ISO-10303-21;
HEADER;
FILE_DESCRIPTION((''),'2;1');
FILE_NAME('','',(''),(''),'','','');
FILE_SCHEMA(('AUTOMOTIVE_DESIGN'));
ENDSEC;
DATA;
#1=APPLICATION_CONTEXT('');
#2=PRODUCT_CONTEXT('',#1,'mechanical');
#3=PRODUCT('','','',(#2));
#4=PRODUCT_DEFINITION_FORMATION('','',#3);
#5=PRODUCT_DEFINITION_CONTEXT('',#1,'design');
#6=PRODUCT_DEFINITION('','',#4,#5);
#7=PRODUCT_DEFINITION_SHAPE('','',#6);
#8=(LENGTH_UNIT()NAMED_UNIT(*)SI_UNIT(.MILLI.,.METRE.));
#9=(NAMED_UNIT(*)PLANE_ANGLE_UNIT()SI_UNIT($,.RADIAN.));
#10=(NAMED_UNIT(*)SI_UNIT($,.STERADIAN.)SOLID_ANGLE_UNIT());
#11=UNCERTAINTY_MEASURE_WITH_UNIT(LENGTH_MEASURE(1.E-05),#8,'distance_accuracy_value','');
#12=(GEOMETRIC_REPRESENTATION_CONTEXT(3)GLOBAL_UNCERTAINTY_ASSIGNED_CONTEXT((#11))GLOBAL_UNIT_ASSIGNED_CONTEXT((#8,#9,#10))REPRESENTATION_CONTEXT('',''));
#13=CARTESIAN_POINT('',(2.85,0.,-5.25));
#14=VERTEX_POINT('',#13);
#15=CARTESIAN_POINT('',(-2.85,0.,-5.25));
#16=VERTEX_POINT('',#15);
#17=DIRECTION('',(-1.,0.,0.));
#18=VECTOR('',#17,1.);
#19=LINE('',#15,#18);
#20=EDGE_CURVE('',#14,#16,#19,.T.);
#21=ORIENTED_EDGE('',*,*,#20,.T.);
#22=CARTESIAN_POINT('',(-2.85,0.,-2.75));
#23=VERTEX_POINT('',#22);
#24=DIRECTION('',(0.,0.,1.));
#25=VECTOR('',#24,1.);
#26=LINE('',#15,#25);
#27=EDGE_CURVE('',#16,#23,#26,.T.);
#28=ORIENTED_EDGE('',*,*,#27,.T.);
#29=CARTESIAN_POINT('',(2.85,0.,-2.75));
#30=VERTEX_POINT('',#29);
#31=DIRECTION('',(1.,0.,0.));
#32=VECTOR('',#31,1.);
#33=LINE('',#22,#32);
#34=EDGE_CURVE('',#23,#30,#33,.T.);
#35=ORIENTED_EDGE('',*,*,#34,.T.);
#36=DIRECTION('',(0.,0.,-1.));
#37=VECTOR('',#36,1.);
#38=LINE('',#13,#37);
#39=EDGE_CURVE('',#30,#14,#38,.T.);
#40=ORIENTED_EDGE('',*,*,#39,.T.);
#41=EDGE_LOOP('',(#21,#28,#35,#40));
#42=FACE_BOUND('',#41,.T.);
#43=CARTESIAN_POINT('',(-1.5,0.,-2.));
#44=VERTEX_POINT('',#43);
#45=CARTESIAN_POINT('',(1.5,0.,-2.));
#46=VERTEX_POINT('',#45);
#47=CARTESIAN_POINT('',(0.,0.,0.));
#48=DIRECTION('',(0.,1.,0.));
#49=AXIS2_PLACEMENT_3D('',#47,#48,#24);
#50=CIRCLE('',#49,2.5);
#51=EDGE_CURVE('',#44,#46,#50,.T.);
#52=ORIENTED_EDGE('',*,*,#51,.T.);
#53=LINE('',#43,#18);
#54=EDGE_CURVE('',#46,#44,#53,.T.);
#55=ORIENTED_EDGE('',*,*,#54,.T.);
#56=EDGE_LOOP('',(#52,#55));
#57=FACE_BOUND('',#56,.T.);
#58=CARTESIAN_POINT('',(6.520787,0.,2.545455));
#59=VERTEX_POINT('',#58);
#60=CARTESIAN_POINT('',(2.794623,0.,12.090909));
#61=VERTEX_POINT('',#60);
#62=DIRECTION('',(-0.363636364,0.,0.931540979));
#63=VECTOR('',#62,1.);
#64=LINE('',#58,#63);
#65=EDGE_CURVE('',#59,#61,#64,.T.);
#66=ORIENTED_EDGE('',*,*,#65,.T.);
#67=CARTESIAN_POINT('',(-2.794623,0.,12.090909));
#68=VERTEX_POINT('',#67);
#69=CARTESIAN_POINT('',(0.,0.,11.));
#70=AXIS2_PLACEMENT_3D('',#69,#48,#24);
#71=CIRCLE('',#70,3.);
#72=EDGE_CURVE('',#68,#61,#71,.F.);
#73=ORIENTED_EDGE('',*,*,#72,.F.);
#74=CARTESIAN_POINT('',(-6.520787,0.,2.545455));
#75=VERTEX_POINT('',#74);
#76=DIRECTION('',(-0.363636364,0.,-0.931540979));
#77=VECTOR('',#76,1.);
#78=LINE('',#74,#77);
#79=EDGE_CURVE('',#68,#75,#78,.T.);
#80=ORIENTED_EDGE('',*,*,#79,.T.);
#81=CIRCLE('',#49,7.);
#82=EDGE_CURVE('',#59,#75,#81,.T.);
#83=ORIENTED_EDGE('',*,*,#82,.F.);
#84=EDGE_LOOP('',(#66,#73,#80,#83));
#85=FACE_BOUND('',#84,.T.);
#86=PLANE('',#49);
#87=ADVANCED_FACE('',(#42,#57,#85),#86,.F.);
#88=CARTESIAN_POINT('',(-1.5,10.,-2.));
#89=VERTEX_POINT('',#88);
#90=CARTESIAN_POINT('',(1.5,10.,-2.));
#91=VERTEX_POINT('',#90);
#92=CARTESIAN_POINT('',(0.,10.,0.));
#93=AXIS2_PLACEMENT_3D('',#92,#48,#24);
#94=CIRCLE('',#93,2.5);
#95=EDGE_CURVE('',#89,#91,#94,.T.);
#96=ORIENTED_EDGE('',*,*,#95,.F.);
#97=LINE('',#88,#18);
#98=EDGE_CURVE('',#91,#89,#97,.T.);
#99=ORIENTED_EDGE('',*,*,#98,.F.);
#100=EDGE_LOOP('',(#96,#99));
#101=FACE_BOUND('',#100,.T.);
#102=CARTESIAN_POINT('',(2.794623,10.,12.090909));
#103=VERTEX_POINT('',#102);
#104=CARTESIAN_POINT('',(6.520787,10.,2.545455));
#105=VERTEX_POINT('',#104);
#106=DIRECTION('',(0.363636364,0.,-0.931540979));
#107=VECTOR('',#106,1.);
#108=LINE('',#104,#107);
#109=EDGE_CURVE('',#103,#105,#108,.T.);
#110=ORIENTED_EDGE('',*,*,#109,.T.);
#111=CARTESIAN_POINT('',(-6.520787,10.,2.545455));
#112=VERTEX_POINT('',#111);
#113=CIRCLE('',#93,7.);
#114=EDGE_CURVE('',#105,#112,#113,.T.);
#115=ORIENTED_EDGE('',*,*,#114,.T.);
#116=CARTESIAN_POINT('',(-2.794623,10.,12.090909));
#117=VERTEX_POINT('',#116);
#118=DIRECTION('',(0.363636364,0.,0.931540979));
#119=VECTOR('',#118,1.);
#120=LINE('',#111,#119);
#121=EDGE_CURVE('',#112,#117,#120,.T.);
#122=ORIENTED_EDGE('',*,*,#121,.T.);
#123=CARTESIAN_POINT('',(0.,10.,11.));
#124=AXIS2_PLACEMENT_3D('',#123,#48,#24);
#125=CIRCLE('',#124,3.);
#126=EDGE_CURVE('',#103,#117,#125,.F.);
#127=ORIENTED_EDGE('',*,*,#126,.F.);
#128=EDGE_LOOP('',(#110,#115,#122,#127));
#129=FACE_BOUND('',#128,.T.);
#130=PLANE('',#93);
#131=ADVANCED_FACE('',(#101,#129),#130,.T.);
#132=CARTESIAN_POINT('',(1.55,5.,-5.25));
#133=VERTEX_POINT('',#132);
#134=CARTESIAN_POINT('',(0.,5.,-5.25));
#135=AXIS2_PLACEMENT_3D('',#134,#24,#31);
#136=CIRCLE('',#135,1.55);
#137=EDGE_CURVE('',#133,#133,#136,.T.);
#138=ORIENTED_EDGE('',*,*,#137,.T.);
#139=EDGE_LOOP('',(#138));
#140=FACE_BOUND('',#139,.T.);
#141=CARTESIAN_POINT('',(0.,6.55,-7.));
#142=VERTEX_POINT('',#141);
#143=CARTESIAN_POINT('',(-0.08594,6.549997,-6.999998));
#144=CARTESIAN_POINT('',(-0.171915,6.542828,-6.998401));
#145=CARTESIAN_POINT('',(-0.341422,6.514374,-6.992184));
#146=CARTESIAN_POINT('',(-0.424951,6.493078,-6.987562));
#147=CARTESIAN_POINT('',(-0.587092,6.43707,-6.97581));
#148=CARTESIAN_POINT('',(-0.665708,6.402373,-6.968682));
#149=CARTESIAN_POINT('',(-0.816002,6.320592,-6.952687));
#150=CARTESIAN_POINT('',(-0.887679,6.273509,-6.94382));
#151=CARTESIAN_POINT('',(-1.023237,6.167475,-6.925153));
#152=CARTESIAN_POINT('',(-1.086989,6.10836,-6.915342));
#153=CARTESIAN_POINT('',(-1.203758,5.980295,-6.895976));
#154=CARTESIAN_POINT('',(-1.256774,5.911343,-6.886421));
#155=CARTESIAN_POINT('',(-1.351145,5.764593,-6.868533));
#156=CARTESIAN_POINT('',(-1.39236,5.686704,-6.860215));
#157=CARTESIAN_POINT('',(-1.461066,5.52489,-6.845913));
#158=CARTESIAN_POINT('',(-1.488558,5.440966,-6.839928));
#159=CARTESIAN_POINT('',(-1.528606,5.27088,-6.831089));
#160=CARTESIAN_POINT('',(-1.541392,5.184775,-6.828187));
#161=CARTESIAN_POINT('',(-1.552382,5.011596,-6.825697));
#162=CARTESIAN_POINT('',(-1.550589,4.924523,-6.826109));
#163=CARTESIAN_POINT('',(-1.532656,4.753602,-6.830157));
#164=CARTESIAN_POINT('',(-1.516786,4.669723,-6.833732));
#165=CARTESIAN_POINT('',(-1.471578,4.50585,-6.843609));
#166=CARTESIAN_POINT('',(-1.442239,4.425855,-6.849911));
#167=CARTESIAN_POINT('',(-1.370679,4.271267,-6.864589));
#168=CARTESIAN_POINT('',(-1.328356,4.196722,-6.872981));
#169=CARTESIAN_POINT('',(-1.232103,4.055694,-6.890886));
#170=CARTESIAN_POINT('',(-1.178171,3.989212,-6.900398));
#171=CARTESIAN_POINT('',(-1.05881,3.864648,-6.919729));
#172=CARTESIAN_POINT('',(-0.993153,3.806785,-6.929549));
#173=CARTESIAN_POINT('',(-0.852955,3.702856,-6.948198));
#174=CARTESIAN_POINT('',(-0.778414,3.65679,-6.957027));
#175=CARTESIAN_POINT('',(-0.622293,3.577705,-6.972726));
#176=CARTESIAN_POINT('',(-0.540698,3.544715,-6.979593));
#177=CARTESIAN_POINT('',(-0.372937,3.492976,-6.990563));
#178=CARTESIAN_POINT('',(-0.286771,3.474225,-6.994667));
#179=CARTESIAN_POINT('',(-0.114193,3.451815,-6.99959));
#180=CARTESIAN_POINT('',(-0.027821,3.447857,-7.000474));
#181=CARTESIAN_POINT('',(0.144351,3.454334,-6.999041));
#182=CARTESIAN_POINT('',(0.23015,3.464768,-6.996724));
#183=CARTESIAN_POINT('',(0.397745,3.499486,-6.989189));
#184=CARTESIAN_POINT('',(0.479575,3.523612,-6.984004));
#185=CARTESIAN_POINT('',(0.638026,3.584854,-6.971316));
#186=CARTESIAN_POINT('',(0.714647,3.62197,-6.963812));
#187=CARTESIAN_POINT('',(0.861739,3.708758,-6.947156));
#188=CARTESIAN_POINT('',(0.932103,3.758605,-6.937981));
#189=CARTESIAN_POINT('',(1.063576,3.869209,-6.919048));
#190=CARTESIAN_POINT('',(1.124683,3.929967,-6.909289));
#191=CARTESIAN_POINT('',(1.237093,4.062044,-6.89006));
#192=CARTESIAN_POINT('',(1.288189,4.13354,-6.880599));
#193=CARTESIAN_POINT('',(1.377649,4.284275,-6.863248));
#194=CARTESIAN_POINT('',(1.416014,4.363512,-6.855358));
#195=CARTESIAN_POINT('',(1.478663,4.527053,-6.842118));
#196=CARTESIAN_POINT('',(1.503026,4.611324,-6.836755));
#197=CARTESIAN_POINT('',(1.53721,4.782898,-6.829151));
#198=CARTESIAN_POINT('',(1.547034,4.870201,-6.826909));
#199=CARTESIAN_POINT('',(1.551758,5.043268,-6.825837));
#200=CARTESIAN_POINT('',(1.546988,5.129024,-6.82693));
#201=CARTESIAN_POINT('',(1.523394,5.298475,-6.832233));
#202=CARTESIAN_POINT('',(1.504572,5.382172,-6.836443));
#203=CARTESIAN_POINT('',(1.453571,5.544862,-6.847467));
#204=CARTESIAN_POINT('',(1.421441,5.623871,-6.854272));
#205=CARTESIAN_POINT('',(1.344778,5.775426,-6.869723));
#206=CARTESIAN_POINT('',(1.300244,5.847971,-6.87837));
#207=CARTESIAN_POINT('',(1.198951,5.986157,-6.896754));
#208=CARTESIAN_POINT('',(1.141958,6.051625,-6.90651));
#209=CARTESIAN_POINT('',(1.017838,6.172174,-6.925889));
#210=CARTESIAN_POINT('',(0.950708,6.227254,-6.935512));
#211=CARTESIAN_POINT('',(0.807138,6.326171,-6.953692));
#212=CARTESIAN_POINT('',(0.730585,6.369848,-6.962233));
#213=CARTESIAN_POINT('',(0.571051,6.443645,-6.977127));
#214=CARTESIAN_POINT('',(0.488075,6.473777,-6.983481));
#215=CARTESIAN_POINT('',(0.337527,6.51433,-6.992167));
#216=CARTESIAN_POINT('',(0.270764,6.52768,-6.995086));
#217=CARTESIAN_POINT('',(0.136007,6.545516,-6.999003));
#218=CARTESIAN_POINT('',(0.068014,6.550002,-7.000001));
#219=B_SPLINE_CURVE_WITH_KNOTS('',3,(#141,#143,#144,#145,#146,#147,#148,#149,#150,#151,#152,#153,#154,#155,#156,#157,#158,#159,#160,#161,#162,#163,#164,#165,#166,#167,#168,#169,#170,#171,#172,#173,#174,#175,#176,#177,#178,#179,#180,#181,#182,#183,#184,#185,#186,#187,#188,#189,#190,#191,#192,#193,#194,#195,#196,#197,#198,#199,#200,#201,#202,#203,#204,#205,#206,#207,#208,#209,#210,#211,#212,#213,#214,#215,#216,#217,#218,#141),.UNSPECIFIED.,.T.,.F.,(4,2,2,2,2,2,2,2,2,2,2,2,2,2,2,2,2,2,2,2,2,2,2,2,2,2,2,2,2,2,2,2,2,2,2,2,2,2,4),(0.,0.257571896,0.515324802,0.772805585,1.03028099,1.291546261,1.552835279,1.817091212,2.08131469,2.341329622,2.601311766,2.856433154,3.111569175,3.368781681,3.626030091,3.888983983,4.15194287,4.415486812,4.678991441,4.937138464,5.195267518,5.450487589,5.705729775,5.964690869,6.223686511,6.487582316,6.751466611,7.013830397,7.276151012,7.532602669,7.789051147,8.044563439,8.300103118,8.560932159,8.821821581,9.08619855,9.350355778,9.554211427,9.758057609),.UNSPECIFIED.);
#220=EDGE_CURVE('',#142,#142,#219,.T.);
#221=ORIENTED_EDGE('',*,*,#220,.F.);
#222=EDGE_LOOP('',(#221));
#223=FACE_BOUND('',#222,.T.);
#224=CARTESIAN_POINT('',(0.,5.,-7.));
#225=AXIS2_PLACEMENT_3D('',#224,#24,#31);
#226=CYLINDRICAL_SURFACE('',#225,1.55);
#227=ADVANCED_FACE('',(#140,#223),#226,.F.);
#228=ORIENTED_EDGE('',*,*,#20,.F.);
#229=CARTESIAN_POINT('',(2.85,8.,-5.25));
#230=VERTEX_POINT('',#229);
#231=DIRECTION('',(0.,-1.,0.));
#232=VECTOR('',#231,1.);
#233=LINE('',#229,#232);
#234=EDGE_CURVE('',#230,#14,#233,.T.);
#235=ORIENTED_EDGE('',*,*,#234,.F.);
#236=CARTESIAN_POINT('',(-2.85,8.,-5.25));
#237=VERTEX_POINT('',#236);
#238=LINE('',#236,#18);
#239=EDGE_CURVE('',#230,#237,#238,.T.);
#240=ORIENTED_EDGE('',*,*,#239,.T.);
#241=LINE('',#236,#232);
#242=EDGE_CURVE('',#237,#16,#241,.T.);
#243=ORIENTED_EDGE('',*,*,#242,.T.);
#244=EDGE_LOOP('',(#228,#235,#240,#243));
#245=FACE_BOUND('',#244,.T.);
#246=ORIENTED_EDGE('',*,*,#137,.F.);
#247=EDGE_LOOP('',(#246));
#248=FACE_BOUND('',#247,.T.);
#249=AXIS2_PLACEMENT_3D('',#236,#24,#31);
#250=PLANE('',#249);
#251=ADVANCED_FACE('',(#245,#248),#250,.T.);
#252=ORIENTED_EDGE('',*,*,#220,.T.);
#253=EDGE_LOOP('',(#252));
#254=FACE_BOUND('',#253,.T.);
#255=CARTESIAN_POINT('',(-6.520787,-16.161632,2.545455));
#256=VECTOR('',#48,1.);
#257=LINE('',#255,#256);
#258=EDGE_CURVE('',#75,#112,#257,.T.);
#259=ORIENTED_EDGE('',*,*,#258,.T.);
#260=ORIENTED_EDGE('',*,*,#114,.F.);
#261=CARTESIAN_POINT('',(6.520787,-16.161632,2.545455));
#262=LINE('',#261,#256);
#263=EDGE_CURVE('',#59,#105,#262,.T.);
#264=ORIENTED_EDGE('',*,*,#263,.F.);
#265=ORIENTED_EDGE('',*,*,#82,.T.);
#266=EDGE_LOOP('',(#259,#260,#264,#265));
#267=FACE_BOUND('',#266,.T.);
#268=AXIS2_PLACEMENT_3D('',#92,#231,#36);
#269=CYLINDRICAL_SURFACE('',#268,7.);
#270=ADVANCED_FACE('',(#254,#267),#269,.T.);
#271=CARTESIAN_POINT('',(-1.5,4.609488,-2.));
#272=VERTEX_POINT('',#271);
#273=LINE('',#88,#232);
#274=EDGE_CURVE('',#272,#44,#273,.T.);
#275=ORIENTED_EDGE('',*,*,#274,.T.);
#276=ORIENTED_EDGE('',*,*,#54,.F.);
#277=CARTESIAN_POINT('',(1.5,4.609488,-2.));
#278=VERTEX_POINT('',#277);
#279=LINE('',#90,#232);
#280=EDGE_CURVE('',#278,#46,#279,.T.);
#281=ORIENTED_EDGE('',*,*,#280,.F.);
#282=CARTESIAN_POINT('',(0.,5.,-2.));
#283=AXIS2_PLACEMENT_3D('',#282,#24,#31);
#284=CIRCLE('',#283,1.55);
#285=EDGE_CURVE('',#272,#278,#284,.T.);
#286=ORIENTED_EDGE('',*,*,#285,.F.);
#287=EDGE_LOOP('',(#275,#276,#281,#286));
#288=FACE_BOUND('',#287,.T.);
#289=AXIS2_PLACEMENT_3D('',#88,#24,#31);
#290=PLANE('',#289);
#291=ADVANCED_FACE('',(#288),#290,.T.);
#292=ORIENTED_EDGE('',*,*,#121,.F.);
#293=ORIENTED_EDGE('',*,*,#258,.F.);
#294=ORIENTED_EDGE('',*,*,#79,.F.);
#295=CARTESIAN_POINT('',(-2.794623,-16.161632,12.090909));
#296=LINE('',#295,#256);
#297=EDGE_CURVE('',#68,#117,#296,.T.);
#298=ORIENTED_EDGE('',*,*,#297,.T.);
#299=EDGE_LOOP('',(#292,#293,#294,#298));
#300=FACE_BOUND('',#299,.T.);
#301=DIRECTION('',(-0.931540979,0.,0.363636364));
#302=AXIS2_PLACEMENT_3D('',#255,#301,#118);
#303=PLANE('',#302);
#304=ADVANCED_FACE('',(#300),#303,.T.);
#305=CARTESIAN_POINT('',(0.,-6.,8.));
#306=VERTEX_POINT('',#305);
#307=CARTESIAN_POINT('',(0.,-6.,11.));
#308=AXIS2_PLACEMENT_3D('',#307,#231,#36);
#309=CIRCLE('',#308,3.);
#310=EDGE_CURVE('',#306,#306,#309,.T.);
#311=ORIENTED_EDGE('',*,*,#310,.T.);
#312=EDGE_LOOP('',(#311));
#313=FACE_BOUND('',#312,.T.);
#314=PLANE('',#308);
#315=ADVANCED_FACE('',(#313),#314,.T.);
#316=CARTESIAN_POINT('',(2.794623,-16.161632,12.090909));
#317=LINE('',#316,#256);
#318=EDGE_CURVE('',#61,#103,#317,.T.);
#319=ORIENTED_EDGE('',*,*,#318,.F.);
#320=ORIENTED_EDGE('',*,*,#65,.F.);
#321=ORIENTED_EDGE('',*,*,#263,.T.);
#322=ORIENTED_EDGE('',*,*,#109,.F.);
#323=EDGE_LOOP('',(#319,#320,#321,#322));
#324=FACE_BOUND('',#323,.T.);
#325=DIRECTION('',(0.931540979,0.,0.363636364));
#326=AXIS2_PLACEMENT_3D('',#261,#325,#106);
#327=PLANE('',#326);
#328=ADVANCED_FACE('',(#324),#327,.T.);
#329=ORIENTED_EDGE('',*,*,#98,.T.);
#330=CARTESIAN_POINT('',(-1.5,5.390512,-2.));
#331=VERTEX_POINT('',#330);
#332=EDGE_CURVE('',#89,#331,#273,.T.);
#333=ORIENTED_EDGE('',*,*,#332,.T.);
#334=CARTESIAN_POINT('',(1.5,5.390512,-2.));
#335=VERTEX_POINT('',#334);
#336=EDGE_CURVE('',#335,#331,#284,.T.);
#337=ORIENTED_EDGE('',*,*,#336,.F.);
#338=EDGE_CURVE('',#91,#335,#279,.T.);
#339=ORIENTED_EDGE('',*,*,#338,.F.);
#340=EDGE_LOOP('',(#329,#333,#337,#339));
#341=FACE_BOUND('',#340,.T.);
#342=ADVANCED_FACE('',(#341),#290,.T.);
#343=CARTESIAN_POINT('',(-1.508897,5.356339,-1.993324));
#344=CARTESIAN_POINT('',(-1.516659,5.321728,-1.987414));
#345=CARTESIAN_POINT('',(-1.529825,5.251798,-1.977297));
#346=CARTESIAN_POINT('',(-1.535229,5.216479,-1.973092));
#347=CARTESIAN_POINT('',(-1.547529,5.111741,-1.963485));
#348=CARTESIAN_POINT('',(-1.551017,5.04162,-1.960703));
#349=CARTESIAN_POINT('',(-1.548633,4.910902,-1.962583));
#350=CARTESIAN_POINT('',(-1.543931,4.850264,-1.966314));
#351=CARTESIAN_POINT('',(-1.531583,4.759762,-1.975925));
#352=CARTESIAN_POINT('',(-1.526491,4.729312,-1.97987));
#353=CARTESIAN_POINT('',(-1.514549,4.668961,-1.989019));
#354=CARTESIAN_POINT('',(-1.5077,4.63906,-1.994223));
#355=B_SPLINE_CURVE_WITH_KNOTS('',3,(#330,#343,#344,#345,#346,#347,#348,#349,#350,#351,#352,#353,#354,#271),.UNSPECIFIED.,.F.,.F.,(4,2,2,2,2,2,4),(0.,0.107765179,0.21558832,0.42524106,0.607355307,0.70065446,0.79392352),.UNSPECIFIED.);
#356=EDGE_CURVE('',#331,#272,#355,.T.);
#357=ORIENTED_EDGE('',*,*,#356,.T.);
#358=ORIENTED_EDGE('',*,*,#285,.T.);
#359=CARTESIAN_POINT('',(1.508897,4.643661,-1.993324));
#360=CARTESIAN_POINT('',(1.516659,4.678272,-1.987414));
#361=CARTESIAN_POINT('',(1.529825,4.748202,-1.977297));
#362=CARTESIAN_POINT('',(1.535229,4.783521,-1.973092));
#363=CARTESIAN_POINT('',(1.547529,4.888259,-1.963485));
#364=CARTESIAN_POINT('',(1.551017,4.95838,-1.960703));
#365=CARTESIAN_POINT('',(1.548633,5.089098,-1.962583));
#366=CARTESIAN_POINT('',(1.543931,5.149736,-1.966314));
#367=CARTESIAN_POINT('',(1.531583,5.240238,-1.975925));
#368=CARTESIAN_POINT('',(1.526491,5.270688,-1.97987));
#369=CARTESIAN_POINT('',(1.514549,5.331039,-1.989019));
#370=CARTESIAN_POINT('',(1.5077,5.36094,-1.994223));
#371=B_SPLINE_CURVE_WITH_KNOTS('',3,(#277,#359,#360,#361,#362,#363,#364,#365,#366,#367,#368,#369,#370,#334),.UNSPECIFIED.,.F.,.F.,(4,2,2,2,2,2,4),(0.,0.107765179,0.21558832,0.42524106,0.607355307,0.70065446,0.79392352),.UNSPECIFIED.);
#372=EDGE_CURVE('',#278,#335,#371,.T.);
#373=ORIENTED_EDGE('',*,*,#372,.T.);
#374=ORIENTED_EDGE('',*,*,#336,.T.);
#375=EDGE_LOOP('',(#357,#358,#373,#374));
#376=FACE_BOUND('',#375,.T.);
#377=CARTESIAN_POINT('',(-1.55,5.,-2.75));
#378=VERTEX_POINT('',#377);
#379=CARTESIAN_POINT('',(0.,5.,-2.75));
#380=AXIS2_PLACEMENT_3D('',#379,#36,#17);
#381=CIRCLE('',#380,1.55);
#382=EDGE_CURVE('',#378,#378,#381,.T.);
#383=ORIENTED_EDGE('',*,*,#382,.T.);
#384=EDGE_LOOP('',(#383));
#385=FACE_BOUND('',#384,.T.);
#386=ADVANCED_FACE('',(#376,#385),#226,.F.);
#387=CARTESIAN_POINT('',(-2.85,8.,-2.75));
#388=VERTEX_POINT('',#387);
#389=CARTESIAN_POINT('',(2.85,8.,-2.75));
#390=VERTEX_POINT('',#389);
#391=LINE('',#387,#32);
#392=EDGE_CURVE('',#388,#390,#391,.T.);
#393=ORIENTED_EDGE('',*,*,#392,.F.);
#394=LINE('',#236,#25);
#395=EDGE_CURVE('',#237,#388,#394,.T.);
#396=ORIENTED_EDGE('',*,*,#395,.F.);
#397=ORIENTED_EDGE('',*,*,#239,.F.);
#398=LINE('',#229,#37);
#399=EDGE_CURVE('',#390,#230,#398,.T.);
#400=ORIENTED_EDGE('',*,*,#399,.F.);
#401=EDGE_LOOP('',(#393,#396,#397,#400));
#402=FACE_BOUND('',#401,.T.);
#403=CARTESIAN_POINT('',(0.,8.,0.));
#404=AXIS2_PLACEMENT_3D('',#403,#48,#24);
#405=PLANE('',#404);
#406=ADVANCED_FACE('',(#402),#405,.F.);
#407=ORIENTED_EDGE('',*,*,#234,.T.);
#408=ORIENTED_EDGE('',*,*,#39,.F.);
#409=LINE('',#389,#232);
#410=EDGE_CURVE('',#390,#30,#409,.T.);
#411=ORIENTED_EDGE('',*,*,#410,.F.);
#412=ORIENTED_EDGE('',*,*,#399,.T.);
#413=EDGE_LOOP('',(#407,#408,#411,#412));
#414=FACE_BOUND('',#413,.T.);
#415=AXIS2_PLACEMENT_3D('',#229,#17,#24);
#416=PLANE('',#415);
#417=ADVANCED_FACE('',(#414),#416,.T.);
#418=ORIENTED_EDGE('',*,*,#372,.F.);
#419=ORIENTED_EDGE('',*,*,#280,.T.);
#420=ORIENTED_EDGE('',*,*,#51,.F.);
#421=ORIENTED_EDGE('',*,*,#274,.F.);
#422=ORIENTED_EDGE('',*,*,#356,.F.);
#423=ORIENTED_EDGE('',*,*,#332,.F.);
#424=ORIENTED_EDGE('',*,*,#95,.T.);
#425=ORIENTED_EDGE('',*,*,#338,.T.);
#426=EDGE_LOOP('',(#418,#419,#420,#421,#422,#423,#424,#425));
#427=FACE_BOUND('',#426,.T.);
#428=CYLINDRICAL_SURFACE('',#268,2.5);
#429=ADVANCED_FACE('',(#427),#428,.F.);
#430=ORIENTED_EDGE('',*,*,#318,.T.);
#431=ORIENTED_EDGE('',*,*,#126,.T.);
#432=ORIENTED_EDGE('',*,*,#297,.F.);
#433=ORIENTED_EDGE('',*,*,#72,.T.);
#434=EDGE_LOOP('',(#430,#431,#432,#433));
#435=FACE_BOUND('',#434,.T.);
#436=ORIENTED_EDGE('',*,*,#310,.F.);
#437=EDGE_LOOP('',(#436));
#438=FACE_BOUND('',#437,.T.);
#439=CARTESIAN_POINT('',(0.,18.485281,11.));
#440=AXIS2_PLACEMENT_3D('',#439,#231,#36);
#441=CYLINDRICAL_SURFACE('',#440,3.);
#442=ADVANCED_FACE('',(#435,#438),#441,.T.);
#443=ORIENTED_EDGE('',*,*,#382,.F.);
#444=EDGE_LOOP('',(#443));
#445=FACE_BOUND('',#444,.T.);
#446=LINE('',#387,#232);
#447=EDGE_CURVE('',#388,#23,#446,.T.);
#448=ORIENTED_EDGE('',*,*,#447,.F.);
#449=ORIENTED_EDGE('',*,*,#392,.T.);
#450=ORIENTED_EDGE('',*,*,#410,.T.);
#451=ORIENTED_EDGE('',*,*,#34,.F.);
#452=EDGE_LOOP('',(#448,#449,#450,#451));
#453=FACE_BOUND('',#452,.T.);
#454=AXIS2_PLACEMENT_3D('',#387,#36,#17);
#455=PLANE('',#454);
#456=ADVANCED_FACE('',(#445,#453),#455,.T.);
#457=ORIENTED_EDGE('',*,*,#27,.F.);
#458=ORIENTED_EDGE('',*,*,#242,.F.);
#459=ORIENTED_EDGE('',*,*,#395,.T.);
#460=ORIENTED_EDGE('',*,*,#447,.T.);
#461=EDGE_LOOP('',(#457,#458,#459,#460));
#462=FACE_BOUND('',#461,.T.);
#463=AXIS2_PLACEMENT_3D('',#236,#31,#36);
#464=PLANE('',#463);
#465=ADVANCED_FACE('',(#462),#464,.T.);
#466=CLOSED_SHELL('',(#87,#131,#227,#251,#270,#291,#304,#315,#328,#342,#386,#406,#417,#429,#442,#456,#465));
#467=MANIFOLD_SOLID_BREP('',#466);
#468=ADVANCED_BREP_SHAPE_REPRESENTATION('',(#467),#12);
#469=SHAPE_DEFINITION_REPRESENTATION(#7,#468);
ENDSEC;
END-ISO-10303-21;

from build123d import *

# Parameters (mm, degrees)
SKETCH1_R                = 7
BOSS_EXTRUDE1_DEPTH      = 10
SKETCH3_W                = 5.7
SKETCH3_H                = 2.5
CUT_EXTRUDE1_DEPTH       = 8
SKETCH6_R                = 1.55
CUT_EXTRUDE2_DEPTH       = 15.071247279
BOSS_EXTRUDE2_DEPTH      = 6
BOSS_EXTRUDE2_DEPTH_BACK = 10
SKETCH7_R                = 3
BOSS_EXTRUDE3_START      = -10
BOSS_EXTRUDE3_DEPTH      = 10


with BuildPart() as part:
    # Sketch1 → Boss-Extrude1 (new body)
    with BuildSketch(Plane(origin=(0, 0, 0), x_dir=(1, 0, 0), z_dir=(0, 1, 0))):
        with Locations(Location((0, 0, 0), (0, 0, 270))):
            Circle(SKETCH1_R)
        with BuildLine():
            Line((-1.5, 2), (1.5, 2))
            ThreePointArc((1.5, 2), (0, -2.5), (-1.5, 2))
        make_face(mode=Mode.SUBTRACT)
    extrude(amount=BOSS_EXTRUDE1_DEPTH)

    # Sketch3 → Cut-Extrude1 (cut)
    with BuildSketch(Plane(origin=(0, 0, 0), x_dir=(1, 0, 0), z_dir=(0, 1, 0))):
        with Locations((0, 4)):
            Rectangle(SKETCH3_W, SKETCH3_H)
    extrude(amount=CUT_EXTRUDE1_DEPTH, mode=Mode.SUBTRACT)

    # Sketch6 → Cut-Extrude2 (cut, through all)
    with BuildSketch(Plane.XY):
        with Locations(Location((0, 5, 0), (0, 0, 345.407449398))):
            Circle(SKETCH6_R)
    extrude(amount=-CUT_EXTRUDE2_DEPTH, mode=Mode.SUBTRACT)



with BuildPart() as body_2:
    # Sketch7 → Boss-Extrude2 (new, two sides: drawn at the far end of the back side and taken through both)
    with BuildSketch(Plane.XZ.offset(-BOSS_EXTRUDE2_DEPTH_BACK)):
        with Locations(Location((0, 11, 0), (0, 0, 270))):
            Circle(SKETCH7_R)
    extrude(amount=BOSS_EXTRUDE2_DEPTH + BOSS_EXTRUDE2_DEPTH_BACK)


with BuildPart() as part_1:
    add(part.part)

    add(body_2.part)  # Boss-Extrude3 merges body 2
    # Sketch9 → Boss-Extrude3 (add)
    with BuildSketch(Plane(origin=(0, 10, 0), x_dir=(1, 0, 0), z_dir=(0, 1, 0)).offset(BOSS_EXTRUDE3_START)):
        with BuildLine():
            ThreePointArc((6.520786851, -2.545454545), (0, -7), (-6.520786851, -2.545454545))
            Line((-6.520786851, -2.545454545), (-2.794622936, -12.090909091))
            ThreePointArc((-2.794622936, -12.090909091), (-0.555036572, -8.051791323), (3, -11))
            ThreePointArc((3, -11), (2.948208677, -11.555036572), (2.794622936, -12.090909091))
            Line((2.794622936, -12.090909091), (6.520786851, -2.545454545))
        make_face()
    extrude(amount=BOSS_EXTRUDE3_DEPTH)


solid = part_1.part
